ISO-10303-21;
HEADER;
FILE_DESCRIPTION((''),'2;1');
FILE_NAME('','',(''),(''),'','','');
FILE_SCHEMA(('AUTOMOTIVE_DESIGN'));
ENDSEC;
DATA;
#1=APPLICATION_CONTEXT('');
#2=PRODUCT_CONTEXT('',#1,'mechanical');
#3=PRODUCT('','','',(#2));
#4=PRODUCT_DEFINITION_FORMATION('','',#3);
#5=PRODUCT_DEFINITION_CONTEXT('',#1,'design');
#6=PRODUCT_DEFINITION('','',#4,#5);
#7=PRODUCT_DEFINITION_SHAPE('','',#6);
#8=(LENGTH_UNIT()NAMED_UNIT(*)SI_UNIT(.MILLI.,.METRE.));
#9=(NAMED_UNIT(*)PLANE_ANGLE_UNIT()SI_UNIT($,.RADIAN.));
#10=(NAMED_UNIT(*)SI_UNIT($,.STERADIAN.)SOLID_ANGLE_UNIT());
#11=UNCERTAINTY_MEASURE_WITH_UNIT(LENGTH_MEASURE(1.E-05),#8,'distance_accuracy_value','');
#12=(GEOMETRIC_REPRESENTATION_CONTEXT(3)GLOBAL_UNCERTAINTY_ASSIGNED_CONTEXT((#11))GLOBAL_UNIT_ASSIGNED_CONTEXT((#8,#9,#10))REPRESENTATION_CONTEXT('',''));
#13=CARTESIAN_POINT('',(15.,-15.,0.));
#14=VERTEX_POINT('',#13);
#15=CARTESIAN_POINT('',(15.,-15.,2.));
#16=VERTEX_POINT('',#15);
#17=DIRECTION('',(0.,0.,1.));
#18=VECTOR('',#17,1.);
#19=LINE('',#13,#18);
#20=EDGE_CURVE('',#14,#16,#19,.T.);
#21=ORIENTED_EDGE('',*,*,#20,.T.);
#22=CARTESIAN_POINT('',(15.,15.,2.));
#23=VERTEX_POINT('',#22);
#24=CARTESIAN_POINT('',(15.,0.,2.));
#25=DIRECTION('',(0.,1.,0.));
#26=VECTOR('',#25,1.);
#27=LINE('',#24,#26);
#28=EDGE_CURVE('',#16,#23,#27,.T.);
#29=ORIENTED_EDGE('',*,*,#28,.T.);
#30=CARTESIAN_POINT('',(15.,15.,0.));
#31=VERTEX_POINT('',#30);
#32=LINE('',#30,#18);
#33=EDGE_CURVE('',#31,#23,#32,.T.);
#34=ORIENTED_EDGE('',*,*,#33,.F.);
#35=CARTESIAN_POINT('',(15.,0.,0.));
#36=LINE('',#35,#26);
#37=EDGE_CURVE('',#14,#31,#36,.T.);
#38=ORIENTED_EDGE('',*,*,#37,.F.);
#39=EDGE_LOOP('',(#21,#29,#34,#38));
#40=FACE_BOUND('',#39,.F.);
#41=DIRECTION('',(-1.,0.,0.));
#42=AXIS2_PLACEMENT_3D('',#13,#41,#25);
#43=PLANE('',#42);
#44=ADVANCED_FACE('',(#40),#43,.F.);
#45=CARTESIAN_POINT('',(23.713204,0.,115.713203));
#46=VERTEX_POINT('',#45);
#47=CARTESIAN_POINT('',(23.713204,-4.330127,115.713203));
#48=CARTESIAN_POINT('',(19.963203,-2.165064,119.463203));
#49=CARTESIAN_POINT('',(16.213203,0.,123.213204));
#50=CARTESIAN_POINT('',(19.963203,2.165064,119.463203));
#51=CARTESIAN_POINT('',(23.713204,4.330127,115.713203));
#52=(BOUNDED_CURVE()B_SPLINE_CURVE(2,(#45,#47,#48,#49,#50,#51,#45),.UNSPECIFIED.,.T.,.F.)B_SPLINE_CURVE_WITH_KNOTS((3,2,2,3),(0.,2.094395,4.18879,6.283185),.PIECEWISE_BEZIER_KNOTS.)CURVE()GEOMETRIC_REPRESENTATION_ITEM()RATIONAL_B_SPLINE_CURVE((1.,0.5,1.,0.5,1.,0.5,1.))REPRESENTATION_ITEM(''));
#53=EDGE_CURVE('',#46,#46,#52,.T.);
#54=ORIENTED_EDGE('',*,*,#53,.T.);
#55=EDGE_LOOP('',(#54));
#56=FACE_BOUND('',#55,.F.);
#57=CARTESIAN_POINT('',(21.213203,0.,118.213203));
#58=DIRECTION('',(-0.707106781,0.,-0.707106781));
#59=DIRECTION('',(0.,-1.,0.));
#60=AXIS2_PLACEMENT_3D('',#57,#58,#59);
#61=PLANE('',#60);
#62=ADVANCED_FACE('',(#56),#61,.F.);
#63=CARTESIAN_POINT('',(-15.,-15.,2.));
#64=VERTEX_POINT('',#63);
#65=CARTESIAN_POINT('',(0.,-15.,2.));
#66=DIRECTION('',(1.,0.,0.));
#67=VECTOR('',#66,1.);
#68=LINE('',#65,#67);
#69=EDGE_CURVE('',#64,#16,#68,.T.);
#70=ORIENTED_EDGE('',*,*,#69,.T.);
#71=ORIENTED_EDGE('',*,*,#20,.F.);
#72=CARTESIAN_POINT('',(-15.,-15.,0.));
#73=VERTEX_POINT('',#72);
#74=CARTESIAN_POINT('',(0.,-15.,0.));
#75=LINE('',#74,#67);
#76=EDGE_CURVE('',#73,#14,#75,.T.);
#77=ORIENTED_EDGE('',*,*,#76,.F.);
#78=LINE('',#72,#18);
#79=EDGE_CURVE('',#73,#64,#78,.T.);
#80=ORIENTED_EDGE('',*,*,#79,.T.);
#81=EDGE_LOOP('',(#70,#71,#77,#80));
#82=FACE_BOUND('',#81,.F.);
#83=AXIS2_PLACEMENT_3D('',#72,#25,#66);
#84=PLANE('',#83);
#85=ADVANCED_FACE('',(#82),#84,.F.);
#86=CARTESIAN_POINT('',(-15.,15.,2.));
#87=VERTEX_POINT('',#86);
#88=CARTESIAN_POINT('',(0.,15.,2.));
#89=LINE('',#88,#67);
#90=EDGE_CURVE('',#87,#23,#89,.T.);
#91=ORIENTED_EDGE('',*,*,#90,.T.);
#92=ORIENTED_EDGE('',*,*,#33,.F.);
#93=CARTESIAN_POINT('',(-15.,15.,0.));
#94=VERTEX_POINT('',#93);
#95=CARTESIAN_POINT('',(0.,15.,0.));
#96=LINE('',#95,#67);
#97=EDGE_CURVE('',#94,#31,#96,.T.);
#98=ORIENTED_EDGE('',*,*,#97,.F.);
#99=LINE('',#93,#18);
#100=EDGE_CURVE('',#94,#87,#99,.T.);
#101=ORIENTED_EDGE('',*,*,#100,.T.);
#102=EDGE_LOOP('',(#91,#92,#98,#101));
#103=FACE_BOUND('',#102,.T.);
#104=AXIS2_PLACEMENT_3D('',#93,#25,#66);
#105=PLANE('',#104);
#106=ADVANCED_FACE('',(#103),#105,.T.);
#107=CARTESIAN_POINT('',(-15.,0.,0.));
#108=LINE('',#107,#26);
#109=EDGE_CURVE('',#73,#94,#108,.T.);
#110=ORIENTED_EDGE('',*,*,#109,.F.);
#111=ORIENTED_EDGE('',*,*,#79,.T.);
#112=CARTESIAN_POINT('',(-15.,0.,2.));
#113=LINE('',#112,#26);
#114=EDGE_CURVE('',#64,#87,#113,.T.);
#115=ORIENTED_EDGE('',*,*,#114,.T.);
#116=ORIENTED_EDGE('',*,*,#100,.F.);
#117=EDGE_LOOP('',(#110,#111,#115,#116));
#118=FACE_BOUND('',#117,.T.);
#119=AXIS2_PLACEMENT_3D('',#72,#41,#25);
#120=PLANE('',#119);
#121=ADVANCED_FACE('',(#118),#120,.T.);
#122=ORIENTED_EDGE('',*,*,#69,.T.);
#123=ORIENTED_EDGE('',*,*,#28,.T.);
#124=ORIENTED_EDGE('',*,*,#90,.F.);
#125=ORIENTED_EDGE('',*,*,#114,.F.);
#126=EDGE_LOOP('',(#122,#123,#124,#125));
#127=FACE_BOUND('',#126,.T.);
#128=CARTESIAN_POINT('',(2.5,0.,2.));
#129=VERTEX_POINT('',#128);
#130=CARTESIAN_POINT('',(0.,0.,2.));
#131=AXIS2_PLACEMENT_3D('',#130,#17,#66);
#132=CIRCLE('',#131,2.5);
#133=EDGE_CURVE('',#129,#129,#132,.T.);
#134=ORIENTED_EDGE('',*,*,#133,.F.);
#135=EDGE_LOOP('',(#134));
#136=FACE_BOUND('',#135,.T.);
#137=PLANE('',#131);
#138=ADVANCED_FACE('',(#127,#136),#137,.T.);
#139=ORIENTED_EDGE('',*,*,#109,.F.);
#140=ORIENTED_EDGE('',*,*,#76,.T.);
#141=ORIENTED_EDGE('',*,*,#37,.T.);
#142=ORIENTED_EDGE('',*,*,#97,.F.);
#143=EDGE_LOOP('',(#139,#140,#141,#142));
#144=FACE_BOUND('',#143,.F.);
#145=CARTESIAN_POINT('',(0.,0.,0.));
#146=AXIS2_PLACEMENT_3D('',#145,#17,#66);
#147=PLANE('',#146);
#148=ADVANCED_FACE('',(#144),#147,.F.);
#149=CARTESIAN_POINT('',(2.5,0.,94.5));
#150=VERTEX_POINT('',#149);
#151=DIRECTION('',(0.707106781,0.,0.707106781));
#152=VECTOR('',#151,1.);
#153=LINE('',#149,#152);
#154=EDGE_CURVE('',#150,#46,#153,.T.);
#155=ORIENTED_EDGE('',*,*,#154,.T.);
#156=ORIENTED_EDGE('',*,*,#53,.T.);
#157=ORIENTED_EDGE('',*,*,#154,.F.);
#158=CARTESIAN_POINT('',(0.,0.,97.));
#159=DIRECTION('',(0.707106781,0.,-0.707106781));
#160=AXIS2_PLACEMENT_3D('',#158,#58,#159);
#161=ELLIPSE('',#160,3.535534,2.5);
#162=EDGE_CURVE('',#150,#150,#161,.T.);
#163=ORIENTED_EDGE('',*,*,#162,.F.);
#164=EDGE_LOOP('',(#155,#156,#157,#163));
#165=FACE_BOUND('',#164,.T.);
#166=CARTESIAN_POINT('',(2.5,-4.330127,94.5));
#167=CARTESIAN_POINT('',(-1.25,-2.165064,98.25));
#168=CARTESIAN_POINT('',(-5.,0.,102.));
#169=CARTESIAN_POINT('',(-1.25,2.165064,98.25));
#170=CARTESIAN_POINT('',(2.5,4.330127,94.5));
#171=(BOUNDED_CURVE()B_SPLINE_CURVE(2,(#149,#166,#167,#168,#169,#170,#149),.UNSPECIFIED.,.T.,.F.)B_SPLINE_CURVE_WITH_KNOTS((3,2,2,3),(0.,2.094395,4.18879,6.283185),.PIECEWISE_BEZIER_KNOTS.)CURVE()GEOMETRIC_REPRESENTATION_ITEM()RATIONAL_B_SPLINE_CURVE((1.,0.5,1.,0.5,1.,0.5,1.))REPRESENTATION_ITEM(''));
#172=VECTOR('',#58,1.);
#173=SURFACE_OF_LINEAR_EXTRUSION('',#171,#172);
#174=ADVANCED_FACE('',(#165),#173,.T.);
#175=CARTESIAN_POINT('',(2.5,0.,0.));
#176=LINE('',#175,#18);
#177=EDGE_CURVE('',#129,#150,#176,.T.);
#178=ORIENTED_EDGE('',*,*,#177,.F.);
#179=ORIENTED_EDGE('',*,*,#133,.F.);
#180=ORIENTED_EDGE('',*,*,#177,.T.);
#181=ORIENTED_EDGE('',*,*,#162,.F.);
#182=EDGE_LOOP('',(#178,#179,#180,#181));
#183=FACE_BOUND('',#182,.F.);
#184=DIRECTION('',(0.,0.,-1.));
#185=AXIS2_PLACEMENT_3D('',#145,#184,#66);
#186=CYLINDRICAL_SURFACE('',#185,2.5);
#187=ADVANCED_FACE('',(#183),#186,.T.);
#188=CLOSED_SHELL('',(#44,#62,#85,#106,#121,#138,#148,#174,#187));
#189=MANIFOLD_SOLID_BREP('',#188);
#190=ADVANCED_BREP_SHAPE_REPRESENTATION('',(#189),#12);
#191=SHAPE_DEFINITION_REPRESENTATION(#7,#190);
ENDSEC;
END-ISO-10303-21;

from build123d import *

# Parameters (mm, degrees)
F0_W     = 30
F0_H     = 30
F0_R     = 2.5
F1_DEPTH = 2
F2_DEPTH = 100
F4_DEPTH = 12.5
F5_DEPTH = 30


with BuildPart() as f1:
    # F0 (on Top) → F1 (new body)
    with BuildSketch(Plane.XY):
        Rectangle(F0_W, F0_H)
        Circle(F0_R, mode=Mode.SUBTRACT)
    extrude(amount=F1_DEPTH)

    # F0 (on Top) → F2 (join)
    with BuildSketch(Plane.XY):
        Circle(F0_R)
    extrude(amount=F2_DEPTH)

    # F3 (on Front) → F4 (cut, symmetric)
    with BuildSketch(Plane.XZ):
        Polygon((3, 100), (-3, 100), (3, 94), align=None)
    extrude(amount=F4_DEPTH, both=True, mode=Mode.SUBTRACT)

    # F4_face (on face) → F5 (join)
    with BuildSketch(Plane(origin=(0, 0, 97), x_dir=(0, 1, 0), z_dir=(0.707107, 0, 0.707107))):
        with BuildLine():
            add(Edge.make_bspline(
                [(0, -3.535534), (-4.330127, -3.535534), (-2.165064, 1.767767), (0, 7.071068), (2.165064, 1.767767), (4.330127, -3.535534), (0, -3.535534)],
                knots=[0, 0, 0, 2.094395, 2.094395, 4.18879, 4.18879, 6.283185, 6.283185, 6.283185], degree=2, weights=[1, 0.5, 1, 0.5, 1, 0.5, 1]))
        make_face()
    extrude(amount=F5_DEPTH)


solid = f1.part
